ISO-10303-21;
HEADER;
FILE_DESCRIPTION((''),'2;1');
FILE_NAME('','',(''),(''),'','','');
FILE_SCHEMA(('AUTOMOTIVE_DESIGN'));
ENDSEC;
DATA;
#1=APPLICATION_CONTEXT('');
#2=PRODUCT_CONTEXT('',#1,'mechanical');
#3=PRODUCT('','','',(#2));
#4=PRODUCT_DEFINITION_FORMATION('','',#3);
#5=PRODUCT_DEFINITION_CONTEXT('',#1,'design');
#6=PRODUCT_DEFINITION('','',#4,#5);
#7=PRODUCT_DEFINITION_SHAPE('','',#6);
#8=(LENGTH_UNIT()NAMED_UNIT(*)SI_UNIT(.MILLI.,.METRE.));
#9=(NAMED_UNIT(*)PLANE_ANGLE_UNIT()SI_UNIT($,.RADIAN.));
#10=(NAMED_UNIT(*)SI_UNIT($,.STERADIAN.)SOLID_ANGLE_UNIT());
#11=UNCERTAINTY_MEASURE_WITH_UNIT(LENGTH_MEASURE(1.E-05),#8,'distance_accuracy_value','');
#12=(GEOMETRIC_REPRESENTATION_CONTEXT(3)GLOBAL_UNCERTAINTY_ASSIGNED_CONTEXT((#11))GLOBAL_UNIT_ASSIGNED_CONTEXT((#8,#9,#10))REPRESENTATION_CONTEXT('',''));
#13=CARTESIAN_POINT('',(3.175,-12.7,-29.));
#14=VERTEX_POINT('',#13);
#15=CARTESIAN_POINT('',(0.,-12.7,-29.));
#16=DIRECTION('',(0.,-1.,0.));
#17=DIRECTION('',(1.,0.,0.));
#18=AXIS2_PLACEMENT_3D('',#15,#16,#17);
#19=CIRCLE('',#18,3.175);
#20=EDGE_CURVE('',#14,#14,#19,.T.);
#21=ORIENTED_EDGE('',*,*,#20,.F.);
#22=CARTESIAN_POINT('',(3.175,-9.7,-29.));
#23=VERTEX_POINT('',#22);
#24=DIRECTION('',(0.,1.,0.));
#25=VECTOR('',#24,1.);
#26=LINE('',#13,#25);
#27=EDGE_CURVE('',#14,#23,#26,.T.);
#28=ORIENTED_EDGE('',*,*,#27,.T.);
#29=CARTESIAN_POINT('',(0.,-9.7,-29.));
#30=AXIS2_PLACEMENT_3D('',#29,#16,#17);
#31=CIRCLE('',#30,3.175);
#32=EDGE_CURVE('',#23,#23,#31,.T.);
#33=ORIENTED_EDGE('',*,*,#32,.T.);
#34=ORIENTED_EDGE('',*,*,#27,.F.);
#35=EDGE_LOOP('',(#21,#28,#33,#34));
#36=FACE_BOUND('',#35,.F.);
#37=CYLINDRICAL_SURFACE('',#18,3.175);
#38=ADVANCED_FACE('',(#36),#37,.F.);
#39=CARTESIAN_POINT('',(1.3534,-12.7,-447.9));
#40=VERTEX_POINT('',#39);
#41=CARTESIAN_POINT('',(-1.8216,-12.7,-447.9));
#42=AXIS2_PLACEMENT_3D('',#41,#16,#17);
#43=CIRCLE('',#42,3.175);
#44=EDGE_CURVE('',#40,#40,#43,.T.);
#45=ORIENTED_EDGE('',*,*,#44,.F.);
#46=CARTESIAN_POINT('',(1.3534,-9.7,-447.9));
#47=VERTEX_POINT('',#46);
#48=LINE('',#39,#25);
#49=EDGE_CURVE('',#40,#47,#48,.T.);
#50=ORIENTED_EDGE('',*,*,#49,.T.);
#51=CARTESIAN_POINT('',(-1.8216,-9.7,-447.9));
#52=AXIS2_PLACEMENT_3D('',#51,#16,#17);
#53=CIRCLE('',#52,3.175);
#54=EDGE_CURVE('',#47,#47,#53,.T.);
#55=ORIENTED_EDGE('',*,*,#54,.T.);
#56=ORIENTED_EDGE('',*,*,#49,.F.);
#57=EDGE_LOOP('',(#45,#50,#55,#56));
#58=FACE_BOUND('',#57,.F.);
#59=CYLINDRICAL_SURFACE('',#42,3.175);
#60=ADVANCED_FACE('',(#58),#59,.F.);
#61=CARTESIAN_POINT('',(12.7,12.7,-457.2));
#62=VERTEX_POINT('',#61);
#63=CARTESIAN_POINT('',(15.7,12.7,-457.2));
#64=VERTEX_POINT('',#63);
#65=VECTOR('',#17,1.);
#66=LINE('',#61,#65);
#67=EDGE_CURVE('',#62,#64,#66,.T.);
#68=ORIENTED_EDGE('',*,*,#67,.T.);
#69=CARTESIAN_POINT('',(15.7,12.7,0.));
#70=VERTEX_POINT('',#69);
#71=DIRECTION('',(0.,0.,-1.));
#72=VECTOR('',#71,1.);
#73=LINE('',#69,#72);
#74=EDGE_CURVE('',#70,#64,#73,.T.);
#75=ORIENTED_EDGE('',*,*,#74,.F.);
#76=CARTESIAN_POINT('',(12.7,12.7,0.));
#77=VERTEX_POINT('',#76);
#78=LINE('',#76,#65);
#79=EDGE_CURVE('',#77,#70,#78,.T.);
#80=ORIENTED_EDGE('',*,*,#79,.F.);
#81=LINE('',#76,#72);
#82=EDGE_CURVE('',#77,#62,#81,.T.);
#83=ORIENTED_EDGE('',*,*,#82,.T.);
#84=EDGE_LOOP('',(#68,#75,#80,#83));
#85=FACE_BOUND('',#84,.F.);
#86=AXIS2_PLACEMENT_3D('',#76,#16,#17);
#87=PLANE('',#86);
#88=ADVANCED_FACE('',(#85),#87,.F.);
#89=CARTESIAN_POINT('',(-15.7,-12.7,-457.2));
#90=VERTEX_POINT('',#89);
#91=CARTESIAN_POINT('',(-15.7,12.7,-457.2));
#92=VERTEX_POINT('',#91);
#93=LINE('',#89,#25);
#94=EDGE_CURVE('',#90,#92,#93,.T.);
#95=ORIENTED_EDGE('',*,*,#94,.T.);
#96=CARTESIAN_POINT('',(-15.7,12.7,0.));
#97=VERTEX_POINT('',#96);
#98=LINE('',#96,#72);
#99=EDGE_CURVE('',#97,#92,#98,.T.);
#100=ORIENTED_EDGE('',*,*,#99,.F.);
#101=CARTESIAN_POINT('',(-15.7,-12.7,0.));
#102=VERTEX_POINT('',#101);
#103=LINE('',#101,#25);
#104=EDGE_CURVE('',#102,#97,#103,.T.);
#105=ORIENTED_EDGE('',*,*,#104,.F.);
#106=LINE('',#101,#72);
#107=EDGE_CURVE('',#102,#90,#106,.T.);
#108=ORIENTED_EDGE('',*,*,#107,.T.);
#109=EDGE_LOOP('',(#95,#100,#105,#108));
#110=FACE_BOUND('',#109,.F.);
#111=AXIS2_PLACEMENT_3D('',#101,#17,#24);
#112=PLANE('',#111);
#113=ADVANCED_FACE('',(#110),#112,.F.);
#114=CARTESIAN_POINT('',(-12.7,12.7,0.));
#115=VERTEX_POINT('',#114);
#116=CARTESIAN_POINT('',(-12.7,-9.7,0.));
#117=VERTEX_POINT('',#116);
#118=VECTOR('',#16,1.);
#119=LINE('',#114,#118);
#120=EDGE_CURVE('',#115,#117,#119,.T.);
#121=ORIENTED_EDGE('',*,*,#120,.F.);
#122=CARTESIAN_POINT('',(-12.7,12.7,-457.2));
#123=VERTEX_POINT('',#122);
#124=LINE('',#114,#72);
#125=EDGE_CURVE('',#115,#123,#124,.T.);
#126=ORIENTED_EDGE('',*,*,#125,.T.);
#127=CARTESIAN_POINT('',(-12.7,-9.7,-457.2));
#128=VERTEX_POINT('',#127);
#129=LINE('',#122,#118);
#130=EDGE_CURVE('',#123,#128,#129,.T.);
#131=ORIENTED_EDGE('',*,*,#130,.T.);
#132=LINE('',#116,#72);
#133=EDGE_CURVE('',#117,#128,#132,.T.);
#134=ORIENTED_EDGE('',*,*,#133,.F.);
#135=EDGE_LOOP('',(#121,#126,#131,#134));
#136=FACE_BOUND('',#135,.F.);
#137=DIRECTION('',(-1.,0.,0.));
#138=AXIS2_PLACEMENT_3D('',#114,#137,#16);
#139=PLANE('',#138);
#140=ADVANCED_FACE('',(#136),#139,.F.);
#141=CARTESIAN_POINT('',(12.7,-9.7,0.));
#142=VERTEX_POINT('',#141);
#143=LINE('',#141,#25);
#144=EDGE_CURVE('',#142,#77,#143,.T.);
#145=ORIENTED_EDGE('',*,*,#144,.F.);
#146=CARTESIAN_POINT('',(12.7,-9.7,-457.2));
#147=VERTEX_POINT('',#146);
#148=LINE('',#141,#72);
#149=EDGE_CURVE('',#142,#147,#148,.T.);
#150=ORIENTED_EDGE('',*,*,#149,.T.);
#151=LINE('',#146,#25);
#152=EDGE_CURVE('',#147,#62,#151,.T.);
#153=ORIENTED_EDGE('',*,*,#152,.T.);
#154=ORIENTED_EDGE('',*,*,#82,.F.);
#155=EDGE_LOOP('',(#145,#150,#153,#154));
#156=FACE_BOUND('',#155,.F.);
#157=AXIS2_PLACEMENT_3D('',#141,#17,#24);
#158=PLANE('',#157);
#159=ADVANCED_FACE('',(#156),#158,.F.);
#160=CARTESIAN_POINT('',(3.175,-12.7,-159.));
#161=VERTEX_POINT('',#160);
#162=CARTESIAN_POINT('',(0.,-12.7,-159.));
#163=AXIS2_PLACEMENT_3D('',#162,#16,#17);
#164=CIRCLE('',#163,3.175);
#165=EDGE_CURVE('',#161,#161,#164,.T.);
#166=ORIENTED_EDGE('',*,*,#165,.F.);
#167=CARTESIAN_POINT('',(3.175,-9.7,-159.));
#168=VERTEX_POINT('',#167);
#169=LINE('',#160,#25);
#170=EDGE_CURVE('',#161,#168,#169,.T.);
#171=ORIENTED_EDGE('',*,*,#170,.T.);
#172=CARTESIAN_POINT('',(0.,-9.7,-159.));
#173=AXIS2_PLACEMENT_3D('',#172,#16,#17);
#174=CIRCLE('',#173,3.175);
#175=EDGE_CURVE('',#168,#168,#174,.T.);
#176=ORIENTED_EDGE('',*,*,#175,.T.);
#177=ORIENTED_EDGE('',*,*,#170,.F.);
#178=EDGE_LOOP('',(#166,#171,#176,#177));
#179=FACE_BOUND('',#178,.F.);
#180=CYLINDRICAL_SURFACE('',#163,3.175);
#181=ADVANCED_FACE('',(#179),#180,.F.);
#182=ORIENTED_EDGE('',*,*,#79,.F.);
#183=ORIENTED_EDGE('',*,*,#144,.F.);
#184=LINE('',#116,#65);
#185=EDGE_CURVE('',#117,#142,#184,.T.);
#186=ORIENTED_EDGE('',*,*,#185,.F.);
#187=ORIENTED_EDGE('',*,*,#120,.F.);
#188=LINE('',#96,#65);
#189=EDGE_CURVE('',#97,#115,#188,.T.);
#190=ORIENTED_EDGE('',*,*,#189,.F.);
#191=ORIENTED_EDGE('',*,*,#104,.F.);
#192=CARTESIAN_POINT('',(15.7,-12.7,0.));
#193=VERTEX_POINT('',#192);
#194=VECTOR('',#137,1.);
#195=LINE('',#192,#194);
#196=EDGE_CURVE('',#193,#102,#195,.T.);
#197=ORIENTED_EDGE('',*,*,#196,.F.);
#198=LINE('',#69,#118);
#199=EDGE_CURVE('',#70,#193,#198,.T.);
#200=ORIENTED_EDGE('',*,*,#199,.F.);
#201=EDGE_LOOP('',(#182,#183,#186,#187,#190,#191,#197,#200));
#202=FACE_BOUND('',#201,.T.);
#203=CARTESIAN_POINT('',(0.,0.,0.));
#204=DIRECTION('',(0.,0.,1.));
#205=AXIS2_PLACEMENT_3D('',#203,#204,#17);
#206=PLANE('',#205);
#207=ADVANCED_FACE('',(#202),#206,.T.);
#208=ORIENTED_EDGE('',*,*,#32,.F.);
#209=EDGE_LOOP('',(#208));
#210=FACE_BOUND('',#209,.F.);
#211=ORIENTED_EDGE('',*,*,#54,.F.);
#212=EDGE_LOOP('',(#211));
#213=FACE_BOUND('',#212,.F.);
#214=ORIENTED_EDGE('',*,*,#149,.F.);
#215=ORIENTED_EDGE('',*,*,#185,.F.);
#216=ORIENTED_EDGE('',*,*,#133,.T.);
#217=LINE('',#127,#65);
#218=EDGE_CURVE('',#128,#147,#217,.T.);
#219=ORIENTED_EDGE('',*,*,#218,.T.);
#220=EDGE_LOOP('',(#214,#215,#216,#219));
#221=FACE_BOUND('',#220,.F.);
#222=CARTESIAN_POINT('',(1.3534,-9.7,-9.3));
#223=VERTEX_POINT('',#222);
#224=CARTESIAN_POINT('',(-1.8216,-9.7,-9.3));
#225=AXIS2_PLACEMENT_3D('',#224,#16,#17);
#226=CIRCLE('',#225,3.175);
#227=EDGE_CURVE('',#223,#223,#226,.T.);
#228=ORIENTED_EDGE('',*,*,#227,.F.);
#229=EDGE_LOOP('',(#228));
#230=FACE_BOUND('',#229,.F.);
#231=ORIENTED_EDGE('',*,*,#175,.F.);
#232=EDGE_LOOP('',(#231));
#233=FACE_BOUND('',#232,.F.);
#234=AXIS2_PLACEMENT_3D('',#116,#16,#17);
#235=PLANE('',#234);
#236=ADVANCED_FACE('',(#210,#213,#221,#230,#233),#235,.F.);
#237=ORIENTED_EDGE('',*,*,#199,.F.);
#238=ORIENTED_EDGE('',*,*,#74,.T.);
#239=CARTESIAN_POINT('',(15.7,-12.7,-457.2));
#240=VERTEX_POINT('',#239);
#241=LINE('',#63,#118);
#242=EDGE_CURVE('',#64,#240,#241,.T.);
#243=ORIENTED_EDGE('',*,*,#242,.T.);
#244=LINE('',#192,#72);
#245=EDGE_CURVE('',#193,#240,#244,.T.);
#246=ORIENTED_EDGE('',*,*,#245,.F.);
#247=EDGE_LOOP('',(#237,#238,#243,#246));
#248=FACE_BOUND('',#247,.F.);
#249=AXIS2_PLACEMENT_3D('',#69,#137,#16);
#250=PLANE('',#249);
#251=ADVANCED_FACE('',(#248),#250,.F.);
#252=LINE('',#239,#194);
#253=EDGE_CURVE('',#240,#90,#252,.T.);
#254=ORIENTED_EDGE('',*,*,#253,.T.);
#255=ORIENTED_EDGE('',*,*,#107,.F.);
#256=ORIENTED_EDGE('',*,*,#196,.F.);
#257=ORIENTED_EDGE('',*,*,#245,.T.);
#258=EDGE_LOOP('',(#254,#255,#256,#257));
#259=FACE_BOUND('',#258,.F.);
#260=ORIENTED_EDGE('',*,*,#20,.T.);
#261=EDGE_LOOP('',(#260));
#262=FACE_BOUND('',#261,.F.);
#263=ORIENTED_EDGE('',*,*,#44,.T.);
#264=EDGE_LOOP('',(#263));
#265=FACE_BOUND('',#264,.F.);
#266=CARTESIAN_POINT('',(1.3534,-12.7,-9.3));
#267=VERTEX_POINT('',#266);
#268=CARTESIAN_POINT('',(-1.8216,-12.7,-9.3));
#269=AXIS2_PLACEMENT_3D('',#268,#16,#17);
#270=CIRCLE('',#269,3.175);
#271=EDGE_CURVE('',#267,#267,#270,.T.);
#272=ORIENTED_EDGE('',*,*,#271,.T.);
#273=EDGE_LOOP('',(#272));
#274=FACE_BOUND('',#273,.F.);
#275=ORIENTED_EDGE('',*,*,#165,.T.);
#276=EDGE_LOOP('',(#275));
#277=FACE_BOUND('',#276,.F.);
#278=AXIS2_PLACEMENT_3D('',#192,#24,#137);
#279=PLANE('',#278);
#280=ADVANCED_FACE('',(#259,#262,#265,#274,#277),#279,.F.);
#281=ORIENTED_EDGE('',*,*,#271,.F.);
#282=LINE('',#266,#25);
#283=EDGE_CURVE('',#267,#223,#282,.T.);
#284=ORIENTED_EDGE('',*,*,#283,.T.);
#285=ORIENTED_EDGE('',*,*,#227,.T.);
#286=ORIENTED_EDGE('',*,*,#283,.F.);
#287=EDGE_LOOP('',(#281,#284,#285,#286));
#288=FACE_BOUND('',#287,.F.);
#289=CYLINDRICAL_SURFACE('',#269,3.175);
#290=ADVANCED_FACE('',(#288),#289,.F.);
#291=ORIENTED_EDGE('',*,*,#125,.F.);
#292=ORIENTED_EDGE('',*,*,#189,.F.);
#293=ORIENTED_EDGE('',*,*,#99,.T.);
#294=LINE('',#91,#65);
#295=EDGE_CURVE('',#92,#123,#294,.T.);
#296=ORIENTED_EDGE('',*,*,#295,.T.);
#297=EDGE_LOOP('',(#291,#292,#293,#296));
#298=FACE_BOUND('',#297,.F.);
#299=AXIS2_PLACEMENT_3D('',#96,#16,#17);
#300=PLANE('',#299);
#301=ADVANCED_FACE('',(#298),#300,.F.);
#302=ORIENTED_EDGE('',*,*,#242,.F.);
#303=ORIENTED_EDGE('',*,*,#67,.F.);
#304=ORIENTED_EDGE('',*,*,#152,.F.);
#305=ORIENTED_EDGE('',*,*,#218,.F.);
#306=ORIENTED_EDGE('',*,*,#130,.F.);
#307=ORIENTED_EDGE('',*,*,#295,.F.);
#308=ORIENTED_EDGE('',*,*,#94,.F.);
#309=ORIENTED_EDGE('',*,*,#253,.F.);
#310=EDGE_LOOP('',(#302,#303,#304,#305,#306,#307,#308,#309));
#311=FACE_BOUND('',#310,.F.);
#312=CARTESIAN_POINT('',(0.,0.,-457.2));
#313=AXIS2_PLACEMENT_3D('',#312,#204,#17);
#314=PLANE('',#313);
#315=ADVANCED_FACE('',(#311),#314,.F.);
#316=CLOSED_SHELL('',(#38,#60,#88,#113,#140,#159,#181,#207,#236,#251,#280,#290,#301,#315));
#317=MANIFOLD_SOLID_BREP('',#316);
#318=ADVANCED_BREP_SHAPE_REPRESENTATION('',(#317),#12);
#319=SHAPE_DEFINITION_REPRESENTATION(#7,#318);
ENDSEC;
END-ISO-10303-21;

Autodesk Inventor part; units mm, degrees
ref_plane "YZ Plane" through (0, 0, 0) normal (1, 0, 0) x (0, 1, 0)
ref_plane "XZ Plane" through (0, 0, 0) normal (0, 1, 0) x (-1, 0, 0)
ref_plane "XY Plane" through (0, 0, 0) normal (0, 0, 1) x (1, 0, 0)
sketch "Sketch1" plane through (0, 0, 0) normal (0, 0, 1) x (1, 0, 0)
  line L0 (-15.7, 12.7) -> (-12.7, 12.7)
  line L1 (-12.7, 12.7) -> (-12.7, -9.7)
  line L2 (-12.7, -9.7) -> (12.7, -9.7)
  line L3 (12.7, -9.7) -> (12.7, 12.7)
  line L4 (12.7, 12.7) -> (15.7, 12.7)
  line L5 (15.7, 12.7) -> (15.7, -12.7)
  line L6 (15.7, -12.7) -> (-15.7, -12.7)
  line L7 (-15.7, -12.7) -> (-15.7, 12.7)
  point P0 (0, 0)
  dimension "d0" = 3
  dimension "d2" = 3
  dimension "d3" = 25.4
  dimension "d4" = 31.4
  dimension "d5" = 15.7
  dimension "d7" = 12.7
  dimension "d8" = 3
extrude "Extrusion1" add sketch "Sketch1" against normal blind 457.2
sketch "Sketch7" plane through (-15.7, -12.7, 0) normal (0, -1, 0) x (1, 0, 0)
  circle A0 centre (13.8784, -447.9) radius 3.175
  point P0 (15.7, 0)
  dimension "d25" = 6.35
extrude "Extrusion5" cut sketch "Sketch7" against normal blind 10
sketch "Sketch8" plane through (-15.7, -12.7, 0) normal (0, -1, 0) x (1, 0, 0)
  line L0 (0, -184) -> (31.4, -184) construction
  line L1 (31.4, -134) -> (0, -134) construction
  line L2 (31.4, -134) -> (31.4, -184) construction
  line L3 (15.7, -134) -> (15.7, -159) construction
  line L4 (15.7, -159) -> (31.4, -159) construction
  circle A0 centre (15.7, -159) radius 3.175
  point P0 (15.7, 0)
  dimension "d29" = 6.35
extrude "Extrusion6" cut sketch "Sketch8" against normal blind 10
sketch "Sketch9" plane through (-15.7, -12.7, 0) normal (0, -1, 0) x (1, 0, 0)
  circle A0 centre (13.8784, -9.3) radius 3.175
  circle A1 centre (15.7, -29) radius 3.175
  point P0 (15.7, 0)
extrude "Extrusion7" cut sketch "Sketch9" against normal blind 10
equation "\"d2\" = d0"
equation "\"d5\" = 0.5 * d4"
equation "\"d7\" = 0.5 * d3"
equation "\"d8\" = d0"
properties part number "18in C-Channel Front" material "Aluminum 6061"
